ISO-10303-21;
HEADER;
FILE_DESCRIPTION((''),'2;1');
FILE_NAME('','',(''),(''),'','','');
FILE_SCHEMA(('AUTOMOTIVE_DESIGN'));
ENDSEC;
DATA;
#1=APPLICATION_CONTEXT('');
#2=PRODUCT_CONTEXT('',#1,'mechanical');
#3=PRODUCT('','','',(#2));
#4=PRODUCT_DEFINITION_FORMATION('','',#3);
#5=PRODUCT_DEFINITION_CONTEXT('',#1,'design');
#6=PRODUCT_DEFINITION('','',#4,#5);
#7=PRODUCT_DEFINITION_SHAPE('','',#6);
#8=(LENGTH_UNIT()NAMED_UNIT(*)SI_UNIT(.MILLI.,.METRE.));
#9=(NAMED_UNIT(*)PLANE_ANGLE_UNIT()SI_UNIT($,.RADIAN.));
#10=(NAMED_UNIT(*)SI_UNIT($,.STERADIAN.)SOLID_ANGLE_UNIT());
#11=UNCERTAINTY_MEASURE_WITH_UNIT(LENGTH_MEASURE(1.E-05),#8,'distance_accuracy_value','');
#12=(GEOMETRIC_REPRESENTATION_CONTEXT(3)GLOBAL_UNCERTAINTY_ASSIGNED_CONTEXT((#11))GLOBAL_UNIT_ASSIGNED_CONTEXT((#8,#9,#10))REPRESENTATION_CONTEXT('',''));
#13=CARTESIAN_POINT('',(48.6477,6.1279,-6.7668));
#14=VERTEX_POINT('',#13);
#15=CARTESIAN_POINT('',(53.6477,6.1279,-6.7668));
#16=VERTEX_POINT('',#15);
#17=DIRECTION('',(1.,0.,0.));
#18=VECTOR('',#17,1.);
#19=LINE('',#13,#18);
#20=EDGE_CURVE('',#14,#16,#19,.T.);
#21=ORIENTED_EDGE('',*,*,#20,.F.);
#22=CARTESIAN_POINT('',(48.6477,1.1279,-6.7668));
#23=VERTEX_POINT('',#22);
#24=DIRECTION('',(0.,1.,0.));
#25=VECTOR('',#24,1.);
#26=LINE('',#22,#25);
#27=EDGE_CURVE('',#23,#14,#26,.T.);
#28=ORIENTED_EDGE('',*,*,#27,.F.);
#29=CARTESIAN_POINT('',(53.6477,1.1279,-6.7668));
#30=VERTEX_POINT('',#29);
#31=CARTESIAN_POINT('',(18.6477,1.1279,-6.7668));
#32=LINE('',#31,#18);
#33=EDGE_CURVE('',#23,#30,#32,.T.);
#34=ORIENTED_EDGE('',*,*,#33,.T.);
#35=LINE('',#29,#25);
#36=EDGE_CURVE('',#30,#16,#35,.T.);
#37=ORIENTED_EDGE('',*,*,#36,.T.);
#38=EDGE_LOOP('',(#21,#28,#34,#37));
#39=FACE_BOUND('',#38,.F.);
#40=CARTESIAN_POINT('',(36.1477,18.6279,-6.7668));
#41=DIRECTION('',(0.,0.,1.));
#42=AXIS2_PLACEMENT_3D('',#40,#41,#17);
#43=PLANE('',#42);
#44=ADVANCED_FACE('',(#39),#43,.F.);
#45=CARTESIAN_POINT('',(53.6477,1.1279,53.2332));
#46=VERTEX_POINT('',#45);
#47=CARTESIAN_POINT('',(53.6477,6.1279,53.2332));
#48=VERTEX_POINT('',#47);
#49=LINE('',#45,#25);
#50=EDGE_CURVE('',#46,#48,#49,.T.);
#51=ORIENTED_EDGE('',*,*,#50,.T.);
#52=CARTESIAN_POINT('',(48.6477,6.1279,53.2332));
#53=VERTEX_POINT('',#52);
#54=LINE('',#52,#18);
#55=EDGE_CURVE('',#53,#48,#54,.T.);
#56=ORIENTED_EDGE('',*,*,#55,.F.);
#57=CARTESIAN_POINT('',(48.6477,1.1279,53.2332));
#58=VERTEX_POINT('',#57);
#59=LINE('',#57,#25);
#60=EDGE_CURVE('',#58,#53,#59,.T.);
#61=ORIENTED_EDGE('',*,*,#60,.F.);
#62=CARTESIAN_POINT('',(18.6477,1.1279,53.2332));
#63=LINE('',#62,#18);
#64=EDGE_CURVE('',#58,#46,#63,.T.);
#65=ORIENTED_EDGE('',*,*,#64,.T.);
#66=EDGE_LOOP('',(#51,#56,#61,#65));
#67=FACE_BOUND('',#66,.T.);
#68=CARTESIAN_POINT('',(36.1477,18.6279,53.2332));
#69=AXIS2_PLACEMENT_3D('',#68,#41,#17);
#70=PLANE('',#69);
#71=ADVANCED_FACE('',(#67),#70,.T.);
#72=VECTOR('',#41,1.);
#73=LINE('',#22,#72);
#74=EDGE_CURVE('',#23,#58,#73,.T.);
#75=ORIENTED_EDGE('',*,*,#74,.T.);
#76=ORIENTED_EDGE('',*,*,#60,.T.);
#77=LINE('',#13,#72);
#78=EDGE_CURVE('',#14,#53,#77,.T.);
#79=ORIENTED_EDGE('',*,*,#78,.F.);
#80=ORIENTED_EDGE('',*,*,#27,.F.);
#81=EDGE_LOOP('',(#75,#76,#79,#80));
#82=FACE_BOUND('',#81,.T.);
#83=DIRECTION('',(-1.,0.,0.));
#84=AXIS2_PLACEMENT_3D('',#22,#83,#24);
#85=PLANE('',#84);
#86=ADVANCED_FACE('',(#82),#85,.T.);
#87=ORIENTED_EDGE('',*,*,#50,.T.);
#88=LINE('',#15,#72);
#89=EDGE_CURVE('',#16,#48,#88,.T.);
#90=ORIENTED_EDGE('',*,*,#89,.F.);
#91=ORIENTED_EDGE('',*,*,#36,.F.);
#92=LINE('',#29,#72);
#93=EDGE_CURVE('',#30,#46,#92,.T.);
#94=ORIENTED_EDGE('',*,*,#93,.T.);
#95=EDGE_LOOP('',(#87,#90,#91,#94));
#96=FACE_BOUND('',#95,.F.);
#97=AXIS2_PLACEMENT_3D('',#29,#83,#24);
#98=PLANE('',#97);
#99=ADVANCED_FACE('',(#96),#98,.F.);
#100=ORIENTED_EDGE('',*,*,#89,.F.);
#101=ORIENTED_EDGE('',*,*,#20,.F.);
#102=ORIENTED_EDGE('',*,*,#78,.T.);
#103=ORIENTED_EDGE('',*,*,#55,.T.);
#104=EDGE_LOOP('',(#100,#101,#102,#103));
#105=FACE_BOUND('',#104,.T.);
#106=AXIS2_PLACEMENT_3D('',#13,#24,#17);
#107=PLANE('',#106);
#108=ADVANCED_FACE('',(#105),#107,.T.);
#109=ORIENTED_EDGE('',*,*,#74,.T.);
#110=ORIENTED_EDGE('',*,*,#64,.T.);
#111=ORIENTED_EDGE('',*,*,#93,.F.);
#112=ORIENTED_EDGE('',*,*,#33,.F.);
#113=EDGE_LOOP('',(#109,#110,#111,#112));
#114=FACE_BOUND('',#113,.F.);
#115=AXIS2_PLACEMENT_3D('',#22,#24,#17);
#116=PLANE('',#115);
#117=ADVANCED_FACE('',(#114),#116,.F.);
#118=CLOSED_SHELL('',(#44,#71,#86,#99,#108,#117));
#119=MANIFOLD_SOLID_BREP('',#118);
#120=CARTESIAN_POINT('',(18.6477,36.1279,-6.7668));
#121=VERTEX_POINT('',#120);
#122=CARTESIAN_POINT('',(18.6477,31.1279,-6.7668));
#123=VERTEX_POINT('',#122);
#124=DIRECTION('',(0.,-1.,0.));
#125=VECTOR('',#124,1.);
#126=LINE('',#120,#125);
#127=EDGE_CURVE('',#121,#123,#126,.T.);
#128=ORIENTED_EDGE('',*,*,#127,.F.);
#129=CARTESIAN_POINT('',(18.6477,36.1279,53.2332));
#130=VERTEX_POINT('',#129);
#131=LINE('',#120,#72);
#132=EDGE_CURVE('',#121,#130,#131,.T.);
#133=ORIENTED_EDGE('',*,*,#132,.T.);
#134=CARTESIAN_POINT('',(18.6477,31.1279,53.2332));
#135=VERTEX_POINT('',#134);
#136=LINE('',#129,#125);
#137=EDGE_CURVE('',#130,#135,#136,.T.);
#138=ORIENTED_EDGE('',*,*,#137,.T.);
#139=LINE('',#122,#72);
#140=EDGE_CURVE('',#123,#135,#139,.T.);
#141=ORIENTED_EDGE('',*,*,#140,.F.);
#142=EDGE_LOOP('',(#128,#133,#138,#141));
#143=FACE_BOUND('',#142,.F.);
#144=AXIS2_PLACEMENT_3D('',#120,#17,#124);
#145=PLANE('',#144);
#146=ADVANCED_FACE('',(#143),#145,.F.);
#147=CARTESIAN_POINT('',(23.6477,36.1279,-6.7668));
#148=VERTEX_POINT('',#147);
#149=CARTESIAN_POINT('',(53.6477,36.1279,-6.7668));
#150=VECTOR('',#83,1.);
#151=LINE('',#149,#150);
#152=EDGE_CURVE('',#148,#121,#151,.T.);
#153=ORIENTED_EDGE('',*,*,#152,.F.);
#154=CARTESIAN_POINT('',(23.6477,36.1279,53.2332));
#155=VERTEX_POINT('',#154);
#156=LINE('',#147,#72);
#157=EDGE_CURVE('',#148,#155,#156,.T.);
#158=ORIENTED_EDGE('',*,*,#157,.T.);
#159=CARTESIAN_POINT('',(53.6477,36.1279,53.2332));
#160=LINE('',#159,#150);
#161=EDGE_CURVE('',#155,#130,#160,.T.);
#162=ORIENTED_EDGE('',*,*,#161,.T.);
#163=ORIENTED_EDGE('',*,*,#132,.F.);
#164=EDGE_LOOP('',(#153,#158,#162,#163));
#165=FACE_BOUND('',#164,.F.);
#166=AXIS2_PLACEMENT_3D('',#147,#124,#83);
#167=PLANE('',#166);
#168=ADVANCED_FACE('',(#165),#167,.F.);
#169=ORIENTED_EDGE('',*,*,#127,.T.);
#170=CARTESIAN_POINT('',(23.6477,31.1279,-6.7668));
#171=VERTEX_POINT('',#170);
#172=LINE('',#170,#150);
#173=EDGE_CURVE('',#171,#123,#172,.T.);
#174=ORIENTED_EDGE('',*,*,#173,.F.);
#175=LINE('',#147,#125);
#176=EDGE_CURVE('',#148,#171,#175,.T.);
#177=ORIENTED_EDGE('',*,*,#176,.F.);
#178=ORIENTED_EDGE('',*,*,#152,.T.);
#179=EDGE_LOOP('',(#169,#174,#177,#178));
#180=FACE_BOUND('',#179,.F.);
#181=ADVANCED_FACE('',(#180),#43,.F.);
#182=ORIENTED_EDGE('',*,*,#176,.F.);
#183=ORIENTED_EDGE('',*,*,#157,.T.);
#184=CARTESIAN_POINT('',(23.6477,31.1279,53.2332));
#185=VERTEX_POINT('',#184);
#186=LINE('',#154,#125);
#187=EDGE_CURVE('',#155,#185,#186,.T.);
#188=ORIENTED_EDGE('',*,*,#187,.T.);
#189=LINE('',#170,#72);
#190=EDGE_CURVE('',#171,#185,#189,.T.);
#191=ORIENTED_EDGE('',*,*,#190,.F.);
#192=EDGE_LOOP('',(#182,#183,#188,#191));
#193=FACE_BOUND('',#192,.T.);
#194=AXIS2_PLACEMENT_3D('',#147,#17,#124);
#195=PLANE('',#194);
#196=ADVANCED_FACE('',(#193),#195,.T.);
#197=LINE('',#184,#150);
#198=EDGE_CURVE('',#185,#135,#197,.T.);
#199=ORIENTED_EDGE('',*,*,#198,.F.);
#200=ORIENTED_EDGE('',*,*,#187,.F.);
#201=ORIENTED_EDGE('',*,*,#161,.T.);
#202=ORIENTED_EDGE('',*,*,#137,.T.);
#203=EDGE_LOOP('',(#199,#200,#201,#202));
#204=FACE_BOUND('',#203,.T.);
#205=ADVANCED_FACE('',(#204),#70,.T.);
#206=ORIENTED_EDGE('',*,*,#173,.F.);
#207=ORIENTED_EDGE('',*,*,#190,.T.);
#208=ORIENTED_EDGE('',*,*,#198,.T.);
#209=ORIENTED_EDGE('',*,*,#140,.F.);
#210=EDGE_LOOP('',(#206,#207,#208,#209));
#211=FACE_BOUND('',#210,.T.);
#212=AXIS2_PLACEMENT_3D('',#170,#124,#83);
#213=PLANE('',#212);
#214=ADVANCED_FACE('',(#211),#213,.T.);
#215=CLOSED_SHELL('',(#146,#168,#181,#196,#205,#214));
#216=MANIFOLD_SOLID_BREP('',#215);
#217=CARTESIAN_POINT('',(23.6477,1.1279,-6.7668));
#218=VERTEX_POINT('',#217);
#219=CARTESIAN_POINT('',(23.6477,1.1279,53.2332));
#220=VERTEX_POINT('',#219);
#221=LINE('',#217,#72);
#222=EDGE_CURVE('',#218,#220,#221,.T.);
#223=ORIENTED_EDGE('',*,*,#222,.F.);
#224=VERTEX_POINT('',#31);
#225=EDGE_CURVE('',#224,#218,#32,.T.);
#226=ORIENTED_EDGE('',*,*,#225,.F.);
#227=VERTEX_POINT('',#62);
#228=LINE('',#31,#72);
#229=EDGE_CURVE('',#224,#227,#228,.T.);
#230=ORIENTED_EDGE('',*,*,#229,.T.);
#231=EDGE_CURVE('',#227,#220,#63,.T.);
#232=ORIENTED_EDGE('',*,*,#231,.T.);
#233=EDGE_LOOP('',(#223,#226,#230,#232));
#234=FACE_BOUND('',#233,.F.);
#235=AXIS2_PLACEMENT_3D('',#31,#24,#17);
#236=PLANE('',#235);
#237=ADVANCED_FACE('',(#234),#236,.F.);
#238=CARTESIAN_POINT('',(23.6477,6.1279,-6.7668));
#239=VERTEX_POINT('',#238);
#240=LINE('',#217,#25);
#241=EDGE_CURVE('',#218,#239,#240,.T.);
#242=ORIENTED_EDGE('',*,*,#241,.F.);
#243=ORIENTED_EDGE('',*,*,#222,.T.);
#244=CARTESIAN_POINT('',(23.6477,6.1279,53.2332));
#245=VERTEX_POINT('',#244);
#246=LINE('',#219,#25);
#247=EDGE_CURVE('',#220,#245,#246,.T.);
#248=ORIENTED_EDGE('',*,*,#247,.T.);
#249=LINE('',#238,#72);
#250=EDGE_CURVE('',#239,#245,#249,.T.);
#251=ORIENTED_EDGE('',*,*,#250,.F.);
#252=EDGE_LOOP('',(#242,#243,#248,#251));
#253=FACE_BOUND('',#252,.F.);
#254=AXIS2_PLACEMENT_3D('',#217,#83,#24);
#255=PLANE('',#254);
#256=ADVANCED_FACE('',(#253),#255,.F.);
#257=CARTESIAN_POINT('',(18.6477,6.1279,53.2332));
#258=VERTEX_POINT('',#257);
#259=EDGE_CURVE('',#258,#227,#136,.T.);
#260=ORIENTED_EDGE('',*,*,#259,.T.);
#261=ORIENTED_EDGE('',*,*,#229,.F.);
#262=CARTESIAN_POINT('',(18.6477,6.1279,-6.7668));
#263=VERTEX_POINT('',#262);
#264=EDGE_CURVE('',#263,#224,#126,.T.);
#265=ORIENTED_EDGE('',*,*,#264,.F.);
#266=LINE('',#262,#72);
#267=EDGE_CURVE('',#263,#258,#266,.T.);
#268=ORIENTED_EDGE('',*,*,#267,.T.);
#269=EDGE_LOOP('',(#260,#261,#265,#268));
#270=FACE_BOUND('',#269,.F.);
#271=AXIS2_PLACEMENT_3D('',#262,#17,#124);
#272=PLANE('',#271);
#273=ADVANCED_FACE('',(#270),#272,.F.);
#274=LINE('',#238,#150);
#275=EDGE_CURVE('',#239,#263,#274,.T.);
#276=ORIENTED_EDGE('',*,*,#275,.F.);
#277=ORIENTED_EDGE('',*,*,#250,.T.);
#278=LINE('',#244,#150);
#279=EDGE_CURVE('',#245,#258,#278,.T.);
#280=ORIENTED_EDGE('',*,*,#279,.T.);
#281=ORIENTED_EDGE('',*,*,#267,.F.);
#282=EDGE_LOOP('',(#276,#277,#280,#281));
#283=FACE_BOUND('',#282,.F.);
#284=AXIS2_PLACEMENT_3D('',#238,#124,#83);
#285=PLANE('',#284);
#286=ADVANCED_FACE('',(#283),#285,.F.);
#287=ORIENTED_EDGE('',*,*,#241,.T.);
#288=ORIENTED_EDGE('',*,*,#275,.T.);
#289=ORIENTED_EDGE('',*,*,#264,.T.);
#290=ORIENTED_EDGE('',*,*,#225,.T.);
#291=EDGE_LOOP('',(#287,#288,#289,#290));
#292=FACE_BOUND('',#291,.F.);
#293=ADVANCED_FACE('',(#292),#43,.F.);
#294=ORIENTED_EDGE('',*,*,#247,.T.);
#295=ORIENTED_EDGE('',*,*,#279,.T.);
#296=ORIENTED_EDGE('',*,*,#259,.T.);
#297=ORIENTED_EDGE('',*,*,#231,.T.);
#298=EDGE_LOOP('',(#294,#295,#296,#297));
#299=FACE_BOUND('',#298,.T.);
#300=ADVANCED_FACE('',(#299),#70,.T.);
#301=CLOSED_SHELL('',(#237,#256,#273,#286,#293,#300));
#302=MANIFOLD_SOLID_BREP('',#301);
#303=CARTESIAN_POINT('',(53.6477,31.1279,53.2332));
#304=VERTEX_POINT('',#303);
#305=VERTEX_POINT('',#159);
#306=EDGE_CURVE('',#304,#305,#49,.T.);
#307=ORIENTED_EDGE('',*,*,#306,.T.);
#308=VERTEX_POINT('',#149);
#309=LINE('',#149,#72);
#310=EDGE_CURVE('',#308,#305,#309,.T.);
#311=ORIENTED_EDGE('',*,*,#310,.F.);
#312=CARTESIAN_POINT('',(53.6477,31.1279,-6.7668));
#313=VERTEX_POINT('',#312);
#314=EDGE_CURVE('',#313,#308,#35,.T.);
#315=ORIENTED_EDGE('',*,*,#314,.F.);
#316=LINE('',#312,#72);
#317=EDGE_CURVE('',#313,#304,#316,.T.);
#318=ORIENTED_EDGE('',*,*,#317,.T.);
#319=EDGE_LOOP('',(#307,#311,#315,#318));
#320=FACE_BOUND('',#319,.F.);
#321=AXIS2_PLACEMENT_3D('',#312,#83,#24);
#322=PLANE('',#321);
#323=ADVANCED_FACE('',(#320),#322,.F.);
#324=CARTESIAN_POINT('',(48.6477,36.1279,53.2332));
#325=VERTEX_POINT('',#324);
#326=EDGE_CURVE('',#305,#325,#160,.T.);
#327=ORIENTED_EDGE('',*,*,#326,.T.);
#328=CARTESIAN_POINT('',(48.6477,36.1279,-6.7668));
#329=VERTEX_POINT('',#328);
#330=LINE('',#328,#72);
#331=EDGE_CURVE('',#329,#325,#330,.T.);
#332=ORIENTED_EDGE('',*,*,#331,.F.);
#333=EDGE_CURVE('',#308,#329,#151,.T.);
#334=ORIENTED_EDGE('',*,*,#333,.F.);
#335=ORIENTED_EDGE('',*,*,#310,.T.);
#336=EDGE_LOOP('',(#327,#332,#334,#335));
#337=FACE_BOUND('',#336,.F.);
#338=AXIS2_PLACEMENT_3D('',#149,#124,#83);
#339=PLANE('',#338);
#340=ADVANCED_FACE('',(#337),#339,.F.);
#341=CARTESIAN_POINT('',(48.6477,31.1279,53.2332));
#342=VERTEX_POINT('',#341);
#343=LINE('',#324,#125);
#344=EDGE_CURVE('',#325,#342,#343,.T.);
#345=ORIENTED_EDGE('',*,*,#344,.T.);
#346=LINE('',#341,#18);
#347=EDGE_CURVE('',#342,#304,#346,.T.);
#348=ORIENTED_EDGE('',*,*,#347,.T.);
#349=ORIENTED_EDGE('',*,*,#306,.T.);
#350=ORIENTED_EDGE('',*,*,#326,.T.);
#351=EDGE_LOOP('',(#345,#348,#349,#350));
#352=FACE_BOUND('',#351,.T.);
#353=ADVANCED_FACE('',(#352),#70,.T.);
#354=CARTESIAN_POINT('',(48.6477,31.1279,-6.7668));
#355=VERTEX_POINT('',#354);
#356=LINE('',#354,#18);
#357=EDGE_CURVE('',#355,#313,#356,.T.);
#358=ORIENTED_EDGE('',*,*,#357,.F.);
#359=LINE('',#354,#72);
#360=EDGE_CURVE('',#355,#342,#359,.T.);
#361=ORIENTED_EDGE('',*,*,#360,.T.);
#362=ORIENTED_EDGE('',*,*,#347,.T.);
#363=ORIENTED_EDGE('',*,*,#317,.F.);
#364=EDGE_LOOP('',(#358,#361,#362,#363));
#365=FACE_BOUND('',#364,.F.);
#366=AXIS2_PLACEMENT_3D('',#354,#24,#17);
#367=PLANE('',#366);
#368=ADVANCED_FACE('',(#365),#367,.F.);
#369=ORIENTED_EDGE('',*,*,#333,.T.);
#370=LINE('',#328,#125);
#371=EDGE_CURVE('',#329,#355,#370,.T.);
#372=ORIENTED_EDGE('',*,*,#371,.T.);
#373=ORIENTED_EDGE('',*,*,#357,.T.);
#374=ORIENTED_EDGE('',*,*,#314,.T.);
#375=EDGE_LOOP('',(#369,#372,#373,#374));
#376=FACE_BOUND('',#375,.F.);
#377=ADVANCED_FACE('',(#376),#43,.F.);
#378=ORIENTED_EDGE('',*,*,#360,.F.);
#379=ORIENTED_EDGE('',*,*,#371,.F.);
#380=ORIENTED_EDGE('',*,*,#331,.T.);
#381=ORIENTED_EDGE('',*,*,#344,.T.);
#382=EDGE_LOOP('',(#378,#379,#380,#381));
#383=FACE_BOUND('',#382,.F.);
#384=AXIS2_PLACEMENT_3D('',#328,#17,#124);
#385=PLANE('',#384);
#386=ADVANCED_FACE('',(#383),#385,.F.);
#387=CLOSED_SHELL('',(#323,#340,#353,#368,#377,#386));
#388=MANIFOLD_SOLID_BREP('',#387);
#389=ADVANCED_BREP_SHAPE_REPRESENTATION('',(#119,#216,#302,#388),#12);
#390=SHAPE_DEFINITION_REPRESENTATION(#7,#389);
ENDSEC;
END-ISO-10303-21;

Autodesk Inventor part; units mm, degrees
ref_plane "YZ Plane" through (0, 0, 0) normal (1, 0, 0) x (0, 1, 0)
ref_plane "XZ Plane" through (0, 0, 0) normal (0, 1, 0) x (-1, 0, 0)
ref_plane "XY Plane" through (0, 0, 0) normal (0, 0, 1) x (1, 0, 0)
ref_plane "Work Plane1" through (36.1477, 18.6279, -6.7668) normal (0, 0, 1) x (1, 0, 0)
sketch "Sketch1" plane through (36.1477, 18.6279, -6.7668) normal (0, 0, 1) x (1, 0, 0)
  line L0 (-17.5, -17.5) -> (17.5, -17.5) projected
  line L1 (17.5, -17.5) -> (17.5, 17.5) projected
  line L2 (17.5, 17.5) -> (-17.5, 17.5) projected
  line L3 (-17.5, 17.5) -> (-17.5, -17.5) projected
  line L4 (-17.5, -17.5) -> (17.5, -17.5) projected
  line L5 (17.5, -17.5) -> (17.5, 17.5) projected
  line L6 (17.5, 17.5) -> (-17.5, 17.5) projected
  line L7 (-17.5, 17.5) -> (-17.5, -17.5) projected
  line L8 (-17.5, -17.5) -> (17.5, -17.5) projected
  line L9 (17.5, -17.5) -> (17.5, 17.5) projected
  line L10 (17.5, 17.5) -> (-17.5, 17.5) projected
  line L11 (-17.5, 17.5) -> (-17.5, -17.5) projected
  line L12 (17.5, -17.5) -> (12.5, -17.5)
  line L13 (12.5, -17.5) -> (12.5, -12.5)
  line L14 (12.5, -12.5) -> (17.5, -12.5)
  line L15 (17.5, -12.5) -> (17.5, -17.5)
  line L16 (-17.5, -17.5) -> (-12.5, -17.5)
  line L17 (-12.5, -17.5) -> (-12.5, -12.5)
  line L18 (-12.5, -12.5) -> (-17.5, -12.5)
  line L19 (-17.5, -12.5) -> (-17.5, -17.5)
  line L20 (-17.5, 17.5) -> (-12.5, 17.5)
  line L21 (-12.5, 17.5) -> (-12.5, 12.5)
  line L22 (-12.5, 12.5) -> (-17.5, 12.5)
  line L23 (-17.5, 12.5) -> (-17.5, 17.5)
  line L24 (17.5, 17.5) -> (12.5, 17.5)
  line L25 (12.5, 17.5) -> (12.5, 12.5)
  line L26 (12.5, 12.5) -> (17.5, 12.5)
  line L27 (17.5, 12.5) -> (17.5, 17.5)
  point P0 (-36.1477, -18.6279)
  dimension "d2" = 5
  dimension "d3" = 5
  dimension "d4" = 5
  dimension "d5" = 5
extrude "Extrusion1" add sketch "Sketch1" along normal blind 60 contours L3 L18 L17 L0 | L13 L14 L1 L0 | L3 L2 L21 L22 | L26 L25 L2 L1
properties part number "ServoHolderColumns"
